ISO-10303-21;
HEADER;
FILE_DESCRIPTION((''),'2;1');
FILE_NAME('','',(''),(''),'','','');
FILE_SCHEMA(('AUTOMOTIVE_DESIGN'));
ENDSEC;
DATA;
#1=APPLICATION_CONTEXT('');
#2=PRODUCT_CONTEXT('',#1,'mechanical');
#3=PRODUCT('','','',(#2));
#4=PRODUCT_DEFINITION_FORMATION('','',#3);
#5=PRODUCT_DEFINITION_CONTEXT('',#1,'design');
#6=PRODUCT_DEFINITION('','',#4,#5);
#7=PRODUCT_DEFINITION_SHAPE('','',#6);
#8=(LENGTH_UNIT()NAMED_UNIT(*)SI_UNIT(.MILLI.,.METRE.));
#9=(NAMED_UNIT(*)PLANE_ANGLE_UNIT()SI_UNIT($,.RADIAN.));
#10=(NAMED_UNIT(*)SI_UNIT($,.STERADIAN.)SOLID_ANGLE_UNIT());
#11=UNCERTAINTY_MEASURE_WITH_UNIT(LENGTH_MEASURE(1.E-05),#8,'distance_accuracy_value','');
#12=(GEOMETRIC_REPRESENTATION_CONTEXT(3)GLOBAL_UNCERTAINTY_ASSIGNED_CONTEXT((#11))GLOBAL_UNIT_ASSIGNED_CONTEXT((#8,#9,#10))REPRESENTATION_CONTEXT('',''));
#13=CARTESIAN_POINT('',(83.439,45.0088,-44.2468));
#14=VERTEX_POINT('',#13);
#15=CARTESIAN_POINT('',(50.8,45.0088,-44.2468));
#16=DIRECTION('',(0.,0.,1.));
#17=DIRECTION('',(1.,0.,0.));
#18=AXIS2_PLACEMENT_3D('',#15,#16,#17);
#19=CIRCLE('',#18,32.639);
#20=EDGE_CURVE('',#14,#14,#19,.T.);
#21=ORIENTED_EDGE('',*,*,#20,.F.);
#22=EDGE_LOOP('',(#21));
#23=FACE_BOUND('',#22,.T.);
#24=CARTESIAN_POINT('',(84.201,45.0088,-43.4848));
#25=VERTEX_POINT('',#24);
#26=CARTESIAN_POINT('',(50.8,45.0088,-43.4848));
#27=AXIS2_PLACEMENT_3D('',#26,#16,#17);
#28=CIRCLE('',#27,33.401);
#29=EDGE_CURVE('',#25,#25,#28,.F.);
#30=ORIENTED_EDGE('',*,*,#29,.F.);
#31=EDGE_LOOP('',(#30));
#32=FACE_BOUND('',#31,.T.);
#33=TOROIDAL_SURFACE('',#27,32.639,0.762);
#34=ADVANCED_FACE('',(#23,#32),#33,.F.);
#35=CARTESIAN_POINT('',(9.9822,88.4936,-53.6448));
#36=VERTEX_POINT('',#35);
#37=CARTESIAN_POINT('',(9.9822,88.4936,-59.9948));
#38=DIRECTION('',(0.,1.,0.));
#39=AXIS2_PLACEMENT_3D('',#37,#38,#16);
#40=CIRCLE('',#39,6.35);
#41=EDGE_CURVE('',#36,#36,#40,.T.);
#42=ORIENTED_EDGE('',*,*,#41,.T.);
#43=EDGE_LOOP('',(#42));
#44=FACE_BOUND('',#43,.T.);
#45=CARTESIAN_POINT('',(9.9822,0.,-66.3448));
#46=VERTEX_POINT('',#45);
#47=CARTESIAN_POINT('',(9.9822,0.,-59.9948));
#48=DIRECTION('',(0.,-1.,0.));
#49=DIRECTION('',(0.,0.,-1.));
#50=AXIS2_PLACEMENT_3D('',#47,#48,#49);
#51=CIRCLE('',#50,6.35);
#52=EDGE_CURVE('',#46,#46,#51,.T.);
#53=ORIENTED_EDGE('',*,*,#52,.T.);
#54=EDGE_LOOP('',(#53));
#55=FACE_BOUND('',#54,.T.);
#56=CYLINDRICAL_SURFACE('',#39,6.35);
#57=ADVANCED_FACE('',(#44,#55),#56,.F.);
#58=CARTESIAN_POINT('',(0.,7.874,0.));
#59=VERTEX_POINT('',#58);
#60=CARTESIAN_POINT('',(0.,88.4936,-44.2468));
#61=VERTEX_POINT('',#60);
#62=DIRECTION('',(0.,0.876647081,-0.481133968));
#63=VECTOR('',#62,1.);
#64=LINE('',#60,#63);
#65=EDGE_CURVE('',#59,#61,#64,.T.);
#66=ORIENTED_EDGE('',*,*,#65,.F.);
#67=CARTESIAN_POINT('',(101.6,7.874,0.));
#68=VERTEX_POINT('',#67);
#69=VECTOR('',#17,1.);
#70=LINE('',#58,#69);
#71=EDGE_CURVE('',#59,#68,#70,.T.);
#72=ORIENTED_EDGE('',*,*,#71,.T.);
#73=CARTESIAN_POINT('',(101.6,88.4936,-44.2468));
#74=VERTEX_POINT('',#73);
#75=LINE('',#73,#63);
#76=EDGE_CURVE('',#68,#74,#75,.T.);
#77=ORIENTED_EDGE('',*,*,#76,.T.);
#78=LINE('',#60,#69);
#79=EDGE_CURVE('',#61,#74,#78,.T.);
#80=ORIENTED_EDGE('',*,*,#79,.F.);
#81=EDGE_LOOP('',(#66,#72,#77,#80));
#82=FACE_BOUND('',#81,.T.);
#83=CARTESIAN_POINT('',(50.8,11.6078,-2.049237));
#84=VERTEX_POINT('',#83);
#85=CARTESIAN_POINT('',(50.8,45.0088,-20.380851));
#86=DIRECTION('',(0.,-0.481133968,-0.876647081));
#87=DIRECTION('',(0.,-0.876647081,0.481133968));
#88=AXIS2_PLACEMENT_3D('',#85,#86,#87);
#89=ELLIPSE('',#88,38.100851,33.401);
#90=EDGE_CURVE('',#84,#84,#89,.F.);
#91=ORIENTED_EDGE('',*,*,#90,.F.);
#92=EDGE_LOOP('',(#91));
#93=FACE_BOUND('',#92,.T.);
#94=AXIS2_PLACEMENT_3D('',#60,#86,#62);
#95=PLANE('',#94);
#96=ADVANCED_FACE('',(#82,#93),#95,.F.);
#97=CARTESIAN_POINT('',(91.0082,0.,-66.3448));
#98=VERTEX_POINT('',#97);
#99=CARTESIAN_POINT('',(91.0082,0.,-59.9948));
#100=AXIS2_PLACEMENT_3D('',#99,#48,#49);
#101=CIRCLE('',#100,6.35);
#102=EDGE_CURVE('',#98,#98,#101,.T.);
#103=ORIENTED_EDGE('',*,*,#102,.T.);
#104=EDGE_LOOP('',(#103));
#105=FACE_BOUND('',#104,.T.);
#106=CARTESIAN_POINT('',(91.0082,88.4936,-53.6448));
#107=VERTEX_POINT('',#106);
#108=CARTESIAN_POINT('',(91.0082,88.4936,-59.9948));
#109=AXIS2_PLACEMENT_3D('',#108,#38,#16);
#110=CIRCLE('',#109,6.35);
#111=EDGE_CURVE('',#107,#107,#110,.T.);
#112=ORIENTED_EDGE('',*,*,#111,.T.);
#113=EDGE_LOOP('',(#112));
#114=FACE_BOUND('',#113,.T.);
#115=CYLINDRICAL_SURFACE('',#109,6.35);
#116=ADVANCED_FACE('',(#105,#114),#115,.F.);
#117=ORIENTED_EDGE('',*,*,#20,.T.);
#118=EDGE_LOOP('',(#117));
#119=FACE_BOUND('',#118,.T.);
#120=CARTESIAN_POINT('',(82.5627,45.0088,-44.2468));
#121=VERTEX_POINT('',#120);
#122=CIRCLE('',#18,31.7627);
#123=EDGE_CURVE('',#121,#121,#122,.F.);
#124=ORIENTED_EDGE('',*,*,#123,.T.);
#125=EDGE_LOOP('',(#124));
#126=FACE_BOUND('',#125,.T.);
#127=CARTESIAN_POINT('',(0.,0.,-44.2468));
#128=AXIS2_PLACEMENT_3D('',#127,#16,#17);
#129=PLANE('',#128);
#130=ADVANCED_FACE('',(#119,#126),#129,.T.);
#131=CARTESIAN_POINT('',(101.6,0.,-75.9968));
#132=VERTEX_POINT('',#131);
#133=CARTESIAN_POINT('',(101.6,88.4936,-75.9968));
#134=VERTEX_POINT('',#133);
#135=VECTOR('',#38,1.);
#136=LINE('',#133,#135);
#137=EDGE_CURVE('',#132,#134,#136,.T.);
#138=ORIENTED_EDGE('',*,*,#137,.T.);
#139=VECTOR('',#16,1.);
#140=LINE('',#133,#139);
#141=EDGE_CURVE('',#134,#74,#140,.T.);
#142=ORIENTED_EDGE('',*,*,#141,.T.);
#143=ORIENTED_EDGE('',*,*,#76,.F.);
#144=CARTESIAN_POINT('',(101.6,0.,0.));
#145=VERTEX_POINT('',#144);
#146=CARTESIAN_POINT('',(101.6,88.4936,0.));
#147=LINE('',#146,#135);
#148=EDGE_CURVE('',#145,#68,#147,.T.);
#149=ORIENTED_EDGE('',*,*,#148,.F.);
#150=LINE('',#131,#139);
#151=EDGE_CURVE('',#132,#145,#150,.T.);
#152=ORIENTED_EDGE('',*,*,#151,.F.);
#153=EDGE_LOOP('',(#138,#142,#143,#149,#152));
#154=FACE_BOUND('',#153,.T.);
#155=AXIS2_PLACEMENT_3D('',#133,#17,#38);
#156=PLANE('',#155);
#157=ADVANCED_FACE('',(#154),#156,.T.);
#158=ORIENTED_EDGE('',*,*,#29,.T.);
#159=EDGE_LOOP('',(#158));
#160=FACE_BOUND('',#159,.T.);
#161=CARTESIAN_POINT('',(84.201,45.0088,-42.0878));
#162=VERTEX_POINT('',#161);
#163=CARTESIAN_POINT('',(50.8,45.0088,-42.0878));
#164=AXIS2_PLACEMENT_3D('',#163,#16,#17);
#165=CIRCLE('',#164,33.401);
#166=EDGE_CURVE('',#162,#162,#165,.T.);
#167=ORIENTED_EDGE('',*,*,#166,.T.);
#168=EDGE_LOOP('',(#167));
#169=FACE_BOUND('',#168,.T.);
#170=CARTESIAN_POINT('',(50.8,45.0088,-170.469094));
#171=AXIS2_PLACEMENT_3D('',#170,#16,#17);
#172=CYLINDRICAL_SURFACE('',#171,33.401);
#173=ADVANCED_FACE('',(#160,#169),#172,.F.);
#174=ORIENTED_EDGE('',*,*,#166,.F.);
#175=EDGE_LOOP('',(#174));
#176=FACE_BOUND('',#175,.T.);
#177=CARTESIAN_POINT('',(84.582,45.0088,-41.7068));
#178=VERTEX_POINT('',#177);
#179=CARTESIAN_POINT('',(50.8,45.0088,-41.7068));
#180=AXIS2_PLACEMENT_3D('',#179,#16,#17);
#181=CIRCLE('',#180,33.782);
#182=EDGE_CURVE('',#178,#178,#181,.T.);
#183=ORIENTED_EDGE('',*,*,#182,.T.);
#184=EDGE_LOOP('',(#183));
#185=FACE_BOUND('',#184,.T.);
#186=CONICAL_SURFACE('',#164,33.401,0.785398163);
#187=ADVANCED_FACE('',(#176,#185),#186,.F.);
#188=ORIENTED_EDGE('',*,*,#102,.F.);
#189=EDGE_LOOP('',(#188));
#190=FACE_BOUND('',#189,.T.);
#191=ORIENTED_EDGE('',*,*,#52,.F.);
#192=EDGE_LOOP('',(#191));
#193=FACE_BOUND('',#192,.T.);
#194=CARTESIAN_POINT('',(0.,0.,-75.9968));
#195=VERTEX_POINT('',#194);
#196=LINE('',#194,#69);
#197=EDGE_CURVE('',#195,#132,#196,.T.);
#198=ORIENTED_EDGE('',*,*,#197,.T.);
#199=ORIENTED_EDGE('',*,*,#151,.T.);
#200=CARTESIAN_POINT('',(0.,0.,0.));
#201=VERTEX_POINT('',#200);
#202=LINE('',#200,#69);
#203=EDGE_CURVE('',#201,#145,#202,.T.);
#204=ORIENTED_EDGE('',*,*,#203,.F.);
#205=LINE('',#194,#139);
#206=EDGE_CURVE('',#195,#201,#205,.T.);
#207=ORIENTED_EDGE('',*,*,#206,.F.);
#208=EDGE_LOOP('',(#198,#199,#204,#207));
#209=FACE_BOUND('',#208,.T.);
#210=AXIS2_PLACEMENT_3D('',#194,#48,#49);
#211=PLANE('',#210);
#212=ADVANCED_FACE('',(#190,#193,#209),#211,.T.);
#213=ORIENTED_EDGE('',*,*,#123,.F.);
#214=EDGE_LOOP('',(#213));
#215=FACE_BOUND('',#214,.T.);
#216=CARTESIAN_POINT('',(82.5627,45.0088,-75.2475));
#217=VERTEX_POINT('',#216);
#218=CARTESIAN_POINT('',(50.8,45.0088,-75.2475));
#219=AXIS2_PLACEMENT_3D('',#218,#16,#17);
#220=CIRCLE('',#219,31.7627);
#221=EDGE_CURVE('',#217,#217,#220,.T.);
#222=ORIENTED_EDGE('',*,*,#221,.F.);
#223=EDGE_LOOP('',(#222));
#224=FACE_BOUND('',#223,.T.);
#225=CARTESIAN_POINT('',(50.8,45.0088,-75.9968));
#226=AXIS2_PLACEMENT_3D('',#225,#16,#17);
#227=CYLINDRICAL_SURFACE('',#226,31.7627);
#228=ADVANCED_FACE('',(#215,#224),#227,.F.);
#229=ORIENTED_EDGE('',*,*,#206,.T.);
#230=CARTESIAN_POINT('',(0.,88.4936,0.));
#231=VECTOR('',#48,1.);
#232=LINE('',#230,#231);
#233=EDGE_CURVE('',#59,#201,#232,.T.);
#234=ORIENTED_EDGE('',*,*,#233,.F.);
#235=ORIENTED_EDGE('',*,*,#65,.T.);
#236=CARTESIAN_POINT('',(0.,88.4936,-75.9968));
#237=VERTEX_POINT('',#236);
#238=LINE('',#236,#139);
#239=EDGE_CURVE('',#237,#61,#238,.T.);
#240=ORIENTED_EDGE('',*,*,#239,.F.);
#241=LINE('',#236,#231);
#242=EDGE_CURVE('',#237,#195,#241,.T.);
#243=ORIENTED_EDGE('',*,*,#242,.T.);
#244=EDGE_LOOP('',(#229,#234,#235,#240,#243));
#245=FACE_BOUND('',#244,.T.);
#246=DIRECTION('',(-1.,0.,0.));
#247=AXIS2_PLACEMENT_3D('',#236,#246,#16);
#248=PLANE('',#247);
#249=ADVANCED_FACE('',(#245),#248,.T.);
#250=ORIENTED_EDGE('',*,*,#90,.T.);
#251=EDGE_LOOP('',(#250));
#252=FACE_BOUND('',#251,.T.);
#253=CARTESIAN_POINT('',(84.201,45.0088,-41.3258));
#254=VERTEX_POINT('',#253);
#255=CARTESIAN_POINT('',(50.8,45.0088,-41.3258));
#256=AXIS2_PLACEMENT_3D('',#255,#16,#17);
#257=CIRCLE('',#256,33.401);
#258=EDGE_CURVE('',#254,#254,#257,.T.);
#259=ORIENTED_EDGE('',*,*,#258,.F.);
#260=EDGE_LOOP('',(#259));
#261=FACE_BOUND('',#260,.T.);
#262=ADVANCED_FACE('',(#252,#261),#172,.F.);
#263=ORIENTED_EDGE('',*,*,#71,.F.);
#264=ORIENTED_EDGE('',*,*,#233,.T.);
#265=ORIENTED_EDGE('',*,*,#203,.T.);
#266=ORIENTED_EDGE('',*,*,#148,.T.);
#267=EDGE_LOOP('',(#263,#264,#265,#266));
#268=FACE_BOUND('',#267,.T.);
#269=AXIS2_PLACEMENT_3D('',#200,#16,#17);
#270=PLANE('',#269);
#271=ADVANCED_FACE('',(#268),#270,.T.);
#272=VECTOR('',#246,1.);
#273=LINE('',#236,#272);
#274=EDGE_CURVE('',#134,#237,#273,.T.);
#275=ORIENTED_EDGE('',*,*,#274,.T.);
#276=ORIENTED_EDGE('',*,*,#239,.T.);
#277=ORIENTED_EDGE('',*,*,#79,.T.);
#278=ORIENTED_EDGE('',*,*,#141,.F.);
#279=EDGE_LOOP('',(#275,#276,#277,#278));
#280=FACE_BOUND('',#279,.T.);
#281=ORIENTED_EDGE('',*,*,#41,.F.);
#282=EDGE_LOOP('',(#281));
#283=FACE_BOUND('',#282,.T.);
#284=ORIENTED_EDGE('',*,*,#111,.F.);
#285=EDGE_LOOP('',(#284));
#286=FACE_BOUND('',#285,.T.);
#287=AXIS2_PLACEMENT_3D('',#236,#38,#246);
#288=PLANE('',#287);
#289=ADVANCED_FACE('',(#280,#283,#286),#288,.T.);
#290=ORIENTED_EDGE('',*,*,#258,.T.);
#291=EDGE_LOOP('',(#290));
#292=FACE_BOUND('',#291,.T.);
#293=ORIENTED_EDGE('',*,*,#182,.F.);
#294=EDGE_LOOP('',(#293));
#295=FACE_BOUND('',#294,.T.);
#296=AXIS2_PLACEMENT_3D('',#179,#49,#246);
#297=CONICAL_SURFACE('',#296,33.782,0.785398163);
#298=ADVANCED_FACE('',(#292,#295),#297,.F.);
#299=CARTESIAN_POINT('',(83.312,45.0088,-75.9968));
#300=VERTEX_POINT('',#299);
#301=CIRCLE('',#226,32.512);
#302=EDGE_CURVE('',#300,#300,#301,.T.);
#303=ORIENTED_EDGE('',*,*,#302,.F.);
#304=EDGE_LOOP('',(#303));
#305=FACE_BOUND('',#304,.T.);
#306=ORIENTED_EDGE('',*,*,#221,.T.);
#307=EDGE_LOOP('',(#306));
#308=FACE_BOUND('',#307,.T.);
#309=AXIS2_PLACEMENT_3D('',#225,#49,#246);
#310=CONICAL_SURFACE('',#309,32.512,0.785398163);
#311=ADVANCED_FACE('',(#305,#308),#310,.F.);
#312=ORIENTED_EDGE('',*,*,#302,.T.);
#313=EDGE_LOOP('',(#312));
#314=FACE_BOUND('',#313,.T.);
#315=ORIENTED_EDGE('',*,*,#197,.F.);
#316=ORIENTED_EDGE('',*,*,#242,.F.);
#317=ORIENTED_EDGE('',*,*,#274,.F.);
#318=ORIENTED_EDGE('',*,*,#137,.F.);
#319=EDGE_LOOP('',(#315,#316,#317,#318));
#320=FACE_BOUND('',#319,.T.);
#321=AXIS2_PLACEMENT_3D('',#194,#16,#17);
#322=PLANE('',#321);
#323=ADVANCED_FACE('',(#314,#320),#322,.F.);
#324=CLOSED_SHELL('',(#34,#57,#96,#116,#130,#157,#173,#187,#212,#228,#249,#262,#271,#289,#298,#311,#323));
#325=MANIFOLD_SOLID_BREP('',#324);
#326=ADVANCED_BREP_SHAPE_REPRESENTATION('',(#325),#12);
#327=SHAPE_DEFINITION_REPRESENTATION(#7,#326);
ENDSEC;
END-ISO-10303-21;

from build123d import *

# Parameters (mm, degrees)
SKETCH1_W          = 101.6
SKETCH1_H          = 88.4936
SKETCH1_R          = 31.7627
EXTRUDE1_DEPTH     = 75.9968
CUT_EXTRUDE1_DEPTH = 102.6
SKETCH3_R          = 33.401
CUT_EXTRUDE2_DEPTH = 44.2468
FILLET1_R          = 0.762
HOLE1_D            = 12.7
HOLE1_DEPTH        = 88.4936


with BuildPart() as part:
    # Sketch1 → Extrude1 (new body)
    with BuildSketch(Plane.XY):
        with Locations((50.8, 44.2468)):
            Rectangle(SKETCH1_W, SKETCH1_H)
        with Locations((50.8, 45.0088)):
            Circle(SKETCH1_R, mode=Mode.SUBTRACT)
    extrude(amount=-EXTRUDE1_DEPTH)

    # Sketch2 → Cut-Extrude1 (cut, through all)
    with BuildSketch(Plane(origin=(101.6, 0, 0), x_dir=(0, 0, -1), z_dir=(1, 0, 0))):
        Polygon((0, 88.4936), (44.2468, 88.4936), (0, 7.874), align=None)
    extrude(amount=-CUT_EXTRUDE1_DEPTH, mode=Mode.SUBTRACT)

    # Sketch3 → Cut-Extrude2 (cut)
    with BuildSketch(Plane(origin=(0, 0, 0), x_dir=(-1, 0, 0), z_dir=(0, 0, -1))):
        with Locations(Location((-50.8, 45.0088, 0), (0, 0, 180))):  # turned: the seam where the file's is
            Circle(SKETCH3_R)
    extrude(amount=CUT_EXTRUDE2_DEPTH, mode=Mode.SUBTRACT)

    # Fillet1
    fillet1_edges = [part.edges().sort_by_distance(p)[0] for p in [
        (17.399, 45.0088, -44.2468),
    ]]
    fillet(fillet1_edges, radius=FILLET1_R)

    # Hole1
    with Locations(Plane(origin=(0, 88.4936, 0), x_dir=(-1, 0, 0), z_dir=(0, 1, 0))):
        with Locations((-9.9822, -59.9948), (-91.0082, -59.9948)):
            Hole(HOLE1_D / 2, depth=HOLE1_DEPTH)

    # Sketch6 → Cut-Revolve1 (revolve, cut)
    with BuildSketch(Plane(origin=(0, 45.0088, 0), x_dir=(-1, 0, 0), z_dir=(0, 1, 0)), mode=Mode.PRIVATE) as cut_revolve1_sk:
        Polygon((-17.399, -41.3258), (-17.399, -42.0878), (-17.018, -41.7068), align=None)
        Polygon((-19.0373, -75.2475), (-19.0373, -75.9968), (-18.288, -75.9968), align=None)
    revolve(cut_revolve1_sk.sketch.rotate(Axis((50.8, 45.0088, 17.508123997), (0, 0, -1)), 180), axis=Axis((50.8, 45.0088, 17.508123997), (0, 0, -1)), mode=Mode.SUBTRACT)  # turned: the seam where the file's is


solid = part.part
